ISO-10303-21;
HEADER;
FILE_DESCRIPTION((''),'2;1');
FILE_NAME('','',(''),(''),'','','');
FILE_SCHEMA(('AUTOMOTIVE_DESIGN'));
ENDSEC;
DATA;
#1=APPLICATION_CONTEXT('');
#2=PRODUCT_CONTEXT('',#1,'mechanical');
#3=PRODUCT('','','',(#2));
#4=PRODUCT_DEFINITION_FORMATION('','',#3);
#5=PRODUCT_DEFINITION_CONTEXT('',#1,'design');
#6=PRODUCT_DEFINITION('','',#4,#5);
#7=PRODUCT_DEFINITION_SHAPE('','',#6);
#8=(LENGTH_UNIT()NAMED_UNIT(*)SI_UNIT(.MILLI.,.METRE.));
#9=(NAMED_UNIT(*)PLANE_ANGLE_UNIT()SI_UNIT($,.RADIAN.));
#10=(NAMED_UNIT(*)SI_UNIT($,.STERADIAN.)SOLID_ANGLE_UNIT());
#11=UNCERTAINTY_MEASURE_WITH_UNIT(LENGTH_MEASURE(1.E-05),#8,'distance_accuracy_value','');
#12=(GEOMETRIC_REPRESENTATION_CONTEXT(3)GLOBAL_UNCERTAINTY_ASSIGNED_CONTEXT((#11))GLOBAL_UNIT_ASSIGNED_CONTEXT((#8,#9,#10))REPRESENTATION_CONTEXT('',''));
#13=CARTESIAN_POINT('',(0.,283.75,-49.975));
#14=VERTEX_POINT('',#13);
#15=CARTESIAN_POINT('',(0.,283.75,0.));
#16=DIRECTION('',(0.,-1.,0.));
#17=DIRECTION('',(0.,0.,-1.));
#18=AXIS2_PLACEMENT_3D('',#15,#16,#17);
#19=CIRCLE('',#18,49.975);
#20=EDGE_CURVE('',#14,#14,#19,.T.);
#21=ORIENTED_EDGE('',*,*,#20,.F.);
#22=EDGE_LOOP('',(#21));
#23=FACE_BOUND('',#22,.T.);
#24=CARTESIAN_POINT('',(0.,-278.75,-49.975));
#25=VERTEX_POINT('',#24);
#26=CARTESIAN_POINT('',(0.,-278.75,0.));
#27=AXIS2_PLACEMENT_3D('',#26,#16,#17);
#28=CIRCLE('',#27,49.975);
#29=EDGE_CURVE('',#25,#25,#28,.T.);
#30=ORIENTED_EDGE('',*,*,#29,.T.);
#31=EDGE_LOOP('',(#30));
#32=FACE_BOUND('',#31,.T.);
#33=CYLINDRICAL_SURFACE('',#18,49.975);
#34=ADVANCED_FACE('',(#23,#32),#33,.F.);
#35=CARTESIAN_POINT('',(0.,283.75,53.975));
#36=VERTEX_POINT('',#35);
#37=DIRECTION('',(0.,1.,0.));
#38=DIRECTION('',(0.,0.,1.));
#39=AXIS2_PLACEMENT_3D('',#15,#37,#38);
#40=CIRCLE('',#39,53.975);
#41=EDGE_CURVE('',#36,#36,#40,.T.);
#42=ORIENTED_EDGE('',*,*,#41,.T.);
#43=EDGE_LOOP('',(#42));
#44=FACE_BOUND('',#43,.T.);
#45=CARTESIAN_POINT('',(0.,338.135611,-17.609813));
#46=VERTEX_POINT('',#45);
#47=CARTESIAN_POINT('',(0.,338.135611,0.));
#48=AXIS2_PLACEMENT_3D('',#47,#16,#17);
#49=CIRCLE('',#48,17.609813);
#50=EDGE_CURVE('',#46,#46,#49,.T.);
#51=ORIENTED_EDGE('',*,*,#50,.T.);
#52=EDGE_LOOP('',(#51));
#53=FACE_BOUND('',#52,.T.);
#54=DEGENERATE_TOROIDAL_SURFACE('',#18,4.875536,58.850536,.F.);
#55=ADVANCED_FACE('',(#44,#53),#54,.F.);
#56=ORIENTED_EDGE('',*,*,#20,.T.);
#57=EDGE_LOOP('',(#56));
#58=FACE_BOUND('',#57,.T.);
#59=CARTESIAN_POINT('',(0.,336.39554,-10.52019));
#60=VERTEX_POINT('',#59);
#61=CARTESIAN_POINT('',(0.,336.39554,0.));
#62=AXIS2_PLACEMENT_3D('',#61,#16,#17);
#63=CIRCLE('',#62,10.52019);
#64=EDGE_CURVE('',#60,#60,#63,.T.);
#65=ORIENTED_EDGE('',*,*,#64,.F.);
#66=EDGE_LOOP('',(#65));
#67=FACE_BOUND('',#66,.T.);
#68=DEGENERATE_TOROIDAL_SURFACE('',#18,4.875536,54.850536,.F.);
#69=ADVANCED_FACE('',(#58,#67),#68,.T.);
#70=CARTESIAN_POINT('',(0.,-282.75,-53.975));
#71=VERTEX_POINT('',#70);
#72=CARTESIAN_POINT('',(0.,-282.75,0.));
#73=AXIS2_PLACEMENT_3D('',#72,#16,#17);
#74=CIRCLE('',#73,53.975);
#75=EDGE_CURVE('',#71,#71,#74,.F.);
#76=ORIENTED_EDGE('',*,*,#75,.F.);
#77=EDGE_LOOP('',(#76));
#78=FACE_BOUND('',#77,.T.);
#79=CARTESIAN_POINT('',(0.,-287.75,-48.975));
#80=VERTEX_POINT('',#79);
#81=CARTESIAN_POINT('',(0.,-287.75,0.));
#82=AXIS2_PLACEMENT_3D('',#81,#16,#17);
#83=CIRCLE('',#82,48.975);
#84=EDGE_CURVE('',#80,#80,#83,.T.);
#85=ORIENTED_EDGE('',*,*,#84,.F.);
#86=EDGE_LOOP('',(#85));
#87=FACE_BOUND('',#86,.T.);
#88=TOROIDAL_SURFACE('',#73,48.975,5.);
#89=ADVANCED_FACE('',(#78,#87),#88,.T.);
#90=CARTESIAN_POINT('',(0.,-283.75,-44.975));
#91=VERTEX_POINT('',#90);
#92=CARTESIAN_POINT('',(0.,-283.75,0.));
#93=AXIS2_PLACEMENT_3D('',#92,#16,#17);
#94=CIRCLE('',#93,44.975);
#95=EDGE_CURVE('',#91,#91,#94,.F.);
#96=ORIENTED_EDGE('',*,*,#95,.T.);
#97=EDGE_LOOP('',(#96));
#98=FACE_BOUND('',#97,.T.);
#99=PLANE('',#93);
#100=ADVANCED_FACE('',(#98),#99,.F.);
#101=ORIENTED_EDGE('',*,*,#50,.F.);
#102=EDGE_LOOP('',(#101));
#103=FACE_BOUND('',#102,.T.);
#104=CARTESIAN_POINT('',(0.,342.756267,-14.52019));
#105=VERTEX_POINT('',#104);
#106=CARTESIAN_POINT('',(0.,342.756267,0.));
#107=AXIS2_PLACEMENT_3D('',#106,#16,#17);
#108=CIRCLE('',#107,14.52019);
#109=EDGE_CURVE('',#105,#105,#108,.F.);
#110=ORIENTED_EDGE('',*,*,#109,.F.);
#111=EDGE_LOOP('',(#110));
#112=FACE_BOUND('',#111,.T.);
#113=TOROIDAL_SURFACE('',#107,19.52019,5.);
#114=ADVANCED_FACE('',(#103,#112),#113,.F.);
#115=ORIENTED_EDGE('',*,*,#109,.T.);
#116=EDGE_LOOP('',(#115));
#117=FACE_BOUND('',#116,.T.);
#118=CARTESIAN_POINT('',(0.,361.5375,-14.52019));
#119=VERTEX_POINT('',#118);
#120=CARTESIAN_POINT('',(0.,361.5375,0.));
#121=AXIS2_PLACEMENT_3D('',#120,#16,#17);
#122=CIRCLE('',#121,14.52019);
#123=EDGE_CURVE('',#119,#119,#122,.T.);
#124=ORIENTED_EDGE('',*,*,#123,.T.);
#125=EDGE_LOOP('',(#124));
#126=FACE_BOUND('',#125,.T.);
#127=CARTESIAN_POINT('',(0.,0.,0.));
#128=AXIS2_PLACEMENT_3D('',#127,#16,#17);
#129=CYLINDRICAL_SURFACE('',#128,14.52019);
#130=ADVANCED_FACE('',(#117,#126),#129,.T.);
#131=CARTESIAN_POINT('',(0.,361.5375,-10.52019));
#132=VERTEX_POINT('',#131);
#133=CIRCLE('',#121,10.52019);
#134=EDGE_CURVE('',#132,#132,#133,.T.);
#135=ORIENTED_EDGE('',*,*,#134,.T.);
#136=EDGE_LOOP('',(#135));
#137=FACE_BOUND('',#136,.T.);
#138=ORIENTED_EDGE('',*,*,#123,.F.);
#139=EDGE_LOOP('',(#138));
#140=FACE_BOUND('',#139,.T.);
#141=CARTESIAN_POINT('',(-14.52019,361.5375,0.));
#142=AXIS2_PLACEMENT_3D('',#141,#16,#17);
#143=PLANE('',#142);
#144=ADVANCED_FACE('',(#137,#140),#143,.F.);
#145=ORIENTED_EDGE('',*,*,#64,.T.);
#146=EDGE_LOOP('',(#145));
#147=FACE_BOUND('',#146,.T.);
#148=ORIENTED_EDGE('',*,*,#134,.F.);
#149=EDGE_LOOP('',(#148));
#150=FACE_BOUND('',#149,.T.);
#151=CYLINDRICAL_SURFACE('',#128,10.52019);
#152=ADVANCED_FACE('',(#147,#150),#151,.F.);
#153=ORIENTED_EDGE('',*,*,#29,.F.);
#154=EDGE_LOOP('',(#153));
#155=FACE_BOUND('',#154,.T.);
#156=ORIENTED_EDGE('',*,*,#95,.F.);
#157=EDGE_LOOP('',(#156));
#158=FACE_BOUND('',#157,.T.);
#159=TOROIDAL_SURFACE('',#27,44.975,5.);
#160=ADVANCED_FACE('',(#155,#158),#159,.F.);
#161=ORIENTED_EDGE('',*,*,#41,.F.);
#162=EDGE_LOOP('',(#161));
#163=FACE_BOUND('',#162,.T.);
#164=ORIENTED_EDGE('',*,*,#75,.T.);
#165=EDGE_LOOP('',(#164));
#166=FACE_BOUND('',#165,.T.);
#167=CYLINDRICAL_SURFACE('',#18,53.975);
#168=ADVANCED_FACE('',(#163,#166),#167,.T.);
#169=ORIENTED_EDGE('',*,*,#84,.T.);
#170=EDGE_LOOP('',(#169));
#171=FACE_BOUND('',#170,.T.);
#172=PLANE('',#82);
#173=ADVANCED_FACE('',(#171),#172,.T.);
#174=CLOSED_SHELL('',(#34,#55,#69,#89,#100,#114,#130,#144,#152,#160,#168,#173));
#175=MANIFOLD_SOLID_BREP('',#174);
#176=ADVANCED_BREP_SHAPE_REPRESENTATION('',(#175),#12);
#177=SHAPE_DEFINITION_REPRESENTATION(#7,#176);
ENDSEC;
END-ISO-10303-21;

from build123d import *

# Parameters (mm, degrees)
SKETCH1_R           = 53.975
SKETCH1_R_2         = 49.975
BOSS_EXTRUDE1_DEPTH = 283.75
SKETCH2_R           = 53.975
BOSS_EXTRUDE2_DEPTH = 4
FILLET1_R           = 5


with BuildPart() as part:
    # Sketch1 → Boss-Extrude1 (new, symmetric)
    with BuildSketch(Plane(origin=(0, 0, 0), x_dir=(1, 0, 0), z_dir=(0, 1, 0))):
        with Locations(Location((0, 0, 0), (0, 0, 270))):
            Circle(SKETCH1_R)
        with Locations(Location((0, 0, 0), (0, 0, 270))):
            Circle(SKETCH1_R_2, mode=Mode.SUBTRACT)
    extrude(amount=BOSS_EXTRUDE1_DEPTH, both=True)

    # Sketch2 → Boss-Extrude2 (add)
    with BuildSketch(Plane.XZ.offset(283.75)):
        with Locations(Location((0, 0, 0), (0, 0, 270))):
            Circle(SKETCH2_R)
    extrude(amount=BOSS_EXTRUDE2_DEPTH)

    # Sketch3 → Revolve1 (revolve)
    with BuildSketch(Plane.XY, mode=Mode.PRIVATE) as revolve1_sk:
        with BuildLine():
            Line((-14.520190182, 339.3125), (-14.520190182, 361.5375))
            Line((-14.520190182, 361.5375), (-10.520190182, 361.5375))
            Line((-10.520190182, 361.5375), (-10.520190182, 336.395540435))
            ThreePointArc((-10.520190182, 336.395540435), (-39.016633765, 316.644661214), (-49.975, 283.75))
            Line((-49.975, 283.75), (-53.975, 283.75))
            ThreePointArc((-53.975, 283.75), (-43.107974032, 317.822985722), (-14.520190182, 339.3125))
        make_face()
    revolve(revolve1_sk.sketch.rotate(Axis((0, 0, 0), (0, 1, 0)), 270), axis=Axis((0, 0, 0), (0, 1, 0)))

    # Fillet1
    fillet1_edges = [part.edges().sort_by_distance(p)[0] for p in [
        (0, -287.75, 53.975),
        (0, 339.3125, 14.520190182),
        (0, -283.75, -49.975),
    ]]
    fillet(fillet1_edges, radius=FILLET1_R)


solid = part.part
